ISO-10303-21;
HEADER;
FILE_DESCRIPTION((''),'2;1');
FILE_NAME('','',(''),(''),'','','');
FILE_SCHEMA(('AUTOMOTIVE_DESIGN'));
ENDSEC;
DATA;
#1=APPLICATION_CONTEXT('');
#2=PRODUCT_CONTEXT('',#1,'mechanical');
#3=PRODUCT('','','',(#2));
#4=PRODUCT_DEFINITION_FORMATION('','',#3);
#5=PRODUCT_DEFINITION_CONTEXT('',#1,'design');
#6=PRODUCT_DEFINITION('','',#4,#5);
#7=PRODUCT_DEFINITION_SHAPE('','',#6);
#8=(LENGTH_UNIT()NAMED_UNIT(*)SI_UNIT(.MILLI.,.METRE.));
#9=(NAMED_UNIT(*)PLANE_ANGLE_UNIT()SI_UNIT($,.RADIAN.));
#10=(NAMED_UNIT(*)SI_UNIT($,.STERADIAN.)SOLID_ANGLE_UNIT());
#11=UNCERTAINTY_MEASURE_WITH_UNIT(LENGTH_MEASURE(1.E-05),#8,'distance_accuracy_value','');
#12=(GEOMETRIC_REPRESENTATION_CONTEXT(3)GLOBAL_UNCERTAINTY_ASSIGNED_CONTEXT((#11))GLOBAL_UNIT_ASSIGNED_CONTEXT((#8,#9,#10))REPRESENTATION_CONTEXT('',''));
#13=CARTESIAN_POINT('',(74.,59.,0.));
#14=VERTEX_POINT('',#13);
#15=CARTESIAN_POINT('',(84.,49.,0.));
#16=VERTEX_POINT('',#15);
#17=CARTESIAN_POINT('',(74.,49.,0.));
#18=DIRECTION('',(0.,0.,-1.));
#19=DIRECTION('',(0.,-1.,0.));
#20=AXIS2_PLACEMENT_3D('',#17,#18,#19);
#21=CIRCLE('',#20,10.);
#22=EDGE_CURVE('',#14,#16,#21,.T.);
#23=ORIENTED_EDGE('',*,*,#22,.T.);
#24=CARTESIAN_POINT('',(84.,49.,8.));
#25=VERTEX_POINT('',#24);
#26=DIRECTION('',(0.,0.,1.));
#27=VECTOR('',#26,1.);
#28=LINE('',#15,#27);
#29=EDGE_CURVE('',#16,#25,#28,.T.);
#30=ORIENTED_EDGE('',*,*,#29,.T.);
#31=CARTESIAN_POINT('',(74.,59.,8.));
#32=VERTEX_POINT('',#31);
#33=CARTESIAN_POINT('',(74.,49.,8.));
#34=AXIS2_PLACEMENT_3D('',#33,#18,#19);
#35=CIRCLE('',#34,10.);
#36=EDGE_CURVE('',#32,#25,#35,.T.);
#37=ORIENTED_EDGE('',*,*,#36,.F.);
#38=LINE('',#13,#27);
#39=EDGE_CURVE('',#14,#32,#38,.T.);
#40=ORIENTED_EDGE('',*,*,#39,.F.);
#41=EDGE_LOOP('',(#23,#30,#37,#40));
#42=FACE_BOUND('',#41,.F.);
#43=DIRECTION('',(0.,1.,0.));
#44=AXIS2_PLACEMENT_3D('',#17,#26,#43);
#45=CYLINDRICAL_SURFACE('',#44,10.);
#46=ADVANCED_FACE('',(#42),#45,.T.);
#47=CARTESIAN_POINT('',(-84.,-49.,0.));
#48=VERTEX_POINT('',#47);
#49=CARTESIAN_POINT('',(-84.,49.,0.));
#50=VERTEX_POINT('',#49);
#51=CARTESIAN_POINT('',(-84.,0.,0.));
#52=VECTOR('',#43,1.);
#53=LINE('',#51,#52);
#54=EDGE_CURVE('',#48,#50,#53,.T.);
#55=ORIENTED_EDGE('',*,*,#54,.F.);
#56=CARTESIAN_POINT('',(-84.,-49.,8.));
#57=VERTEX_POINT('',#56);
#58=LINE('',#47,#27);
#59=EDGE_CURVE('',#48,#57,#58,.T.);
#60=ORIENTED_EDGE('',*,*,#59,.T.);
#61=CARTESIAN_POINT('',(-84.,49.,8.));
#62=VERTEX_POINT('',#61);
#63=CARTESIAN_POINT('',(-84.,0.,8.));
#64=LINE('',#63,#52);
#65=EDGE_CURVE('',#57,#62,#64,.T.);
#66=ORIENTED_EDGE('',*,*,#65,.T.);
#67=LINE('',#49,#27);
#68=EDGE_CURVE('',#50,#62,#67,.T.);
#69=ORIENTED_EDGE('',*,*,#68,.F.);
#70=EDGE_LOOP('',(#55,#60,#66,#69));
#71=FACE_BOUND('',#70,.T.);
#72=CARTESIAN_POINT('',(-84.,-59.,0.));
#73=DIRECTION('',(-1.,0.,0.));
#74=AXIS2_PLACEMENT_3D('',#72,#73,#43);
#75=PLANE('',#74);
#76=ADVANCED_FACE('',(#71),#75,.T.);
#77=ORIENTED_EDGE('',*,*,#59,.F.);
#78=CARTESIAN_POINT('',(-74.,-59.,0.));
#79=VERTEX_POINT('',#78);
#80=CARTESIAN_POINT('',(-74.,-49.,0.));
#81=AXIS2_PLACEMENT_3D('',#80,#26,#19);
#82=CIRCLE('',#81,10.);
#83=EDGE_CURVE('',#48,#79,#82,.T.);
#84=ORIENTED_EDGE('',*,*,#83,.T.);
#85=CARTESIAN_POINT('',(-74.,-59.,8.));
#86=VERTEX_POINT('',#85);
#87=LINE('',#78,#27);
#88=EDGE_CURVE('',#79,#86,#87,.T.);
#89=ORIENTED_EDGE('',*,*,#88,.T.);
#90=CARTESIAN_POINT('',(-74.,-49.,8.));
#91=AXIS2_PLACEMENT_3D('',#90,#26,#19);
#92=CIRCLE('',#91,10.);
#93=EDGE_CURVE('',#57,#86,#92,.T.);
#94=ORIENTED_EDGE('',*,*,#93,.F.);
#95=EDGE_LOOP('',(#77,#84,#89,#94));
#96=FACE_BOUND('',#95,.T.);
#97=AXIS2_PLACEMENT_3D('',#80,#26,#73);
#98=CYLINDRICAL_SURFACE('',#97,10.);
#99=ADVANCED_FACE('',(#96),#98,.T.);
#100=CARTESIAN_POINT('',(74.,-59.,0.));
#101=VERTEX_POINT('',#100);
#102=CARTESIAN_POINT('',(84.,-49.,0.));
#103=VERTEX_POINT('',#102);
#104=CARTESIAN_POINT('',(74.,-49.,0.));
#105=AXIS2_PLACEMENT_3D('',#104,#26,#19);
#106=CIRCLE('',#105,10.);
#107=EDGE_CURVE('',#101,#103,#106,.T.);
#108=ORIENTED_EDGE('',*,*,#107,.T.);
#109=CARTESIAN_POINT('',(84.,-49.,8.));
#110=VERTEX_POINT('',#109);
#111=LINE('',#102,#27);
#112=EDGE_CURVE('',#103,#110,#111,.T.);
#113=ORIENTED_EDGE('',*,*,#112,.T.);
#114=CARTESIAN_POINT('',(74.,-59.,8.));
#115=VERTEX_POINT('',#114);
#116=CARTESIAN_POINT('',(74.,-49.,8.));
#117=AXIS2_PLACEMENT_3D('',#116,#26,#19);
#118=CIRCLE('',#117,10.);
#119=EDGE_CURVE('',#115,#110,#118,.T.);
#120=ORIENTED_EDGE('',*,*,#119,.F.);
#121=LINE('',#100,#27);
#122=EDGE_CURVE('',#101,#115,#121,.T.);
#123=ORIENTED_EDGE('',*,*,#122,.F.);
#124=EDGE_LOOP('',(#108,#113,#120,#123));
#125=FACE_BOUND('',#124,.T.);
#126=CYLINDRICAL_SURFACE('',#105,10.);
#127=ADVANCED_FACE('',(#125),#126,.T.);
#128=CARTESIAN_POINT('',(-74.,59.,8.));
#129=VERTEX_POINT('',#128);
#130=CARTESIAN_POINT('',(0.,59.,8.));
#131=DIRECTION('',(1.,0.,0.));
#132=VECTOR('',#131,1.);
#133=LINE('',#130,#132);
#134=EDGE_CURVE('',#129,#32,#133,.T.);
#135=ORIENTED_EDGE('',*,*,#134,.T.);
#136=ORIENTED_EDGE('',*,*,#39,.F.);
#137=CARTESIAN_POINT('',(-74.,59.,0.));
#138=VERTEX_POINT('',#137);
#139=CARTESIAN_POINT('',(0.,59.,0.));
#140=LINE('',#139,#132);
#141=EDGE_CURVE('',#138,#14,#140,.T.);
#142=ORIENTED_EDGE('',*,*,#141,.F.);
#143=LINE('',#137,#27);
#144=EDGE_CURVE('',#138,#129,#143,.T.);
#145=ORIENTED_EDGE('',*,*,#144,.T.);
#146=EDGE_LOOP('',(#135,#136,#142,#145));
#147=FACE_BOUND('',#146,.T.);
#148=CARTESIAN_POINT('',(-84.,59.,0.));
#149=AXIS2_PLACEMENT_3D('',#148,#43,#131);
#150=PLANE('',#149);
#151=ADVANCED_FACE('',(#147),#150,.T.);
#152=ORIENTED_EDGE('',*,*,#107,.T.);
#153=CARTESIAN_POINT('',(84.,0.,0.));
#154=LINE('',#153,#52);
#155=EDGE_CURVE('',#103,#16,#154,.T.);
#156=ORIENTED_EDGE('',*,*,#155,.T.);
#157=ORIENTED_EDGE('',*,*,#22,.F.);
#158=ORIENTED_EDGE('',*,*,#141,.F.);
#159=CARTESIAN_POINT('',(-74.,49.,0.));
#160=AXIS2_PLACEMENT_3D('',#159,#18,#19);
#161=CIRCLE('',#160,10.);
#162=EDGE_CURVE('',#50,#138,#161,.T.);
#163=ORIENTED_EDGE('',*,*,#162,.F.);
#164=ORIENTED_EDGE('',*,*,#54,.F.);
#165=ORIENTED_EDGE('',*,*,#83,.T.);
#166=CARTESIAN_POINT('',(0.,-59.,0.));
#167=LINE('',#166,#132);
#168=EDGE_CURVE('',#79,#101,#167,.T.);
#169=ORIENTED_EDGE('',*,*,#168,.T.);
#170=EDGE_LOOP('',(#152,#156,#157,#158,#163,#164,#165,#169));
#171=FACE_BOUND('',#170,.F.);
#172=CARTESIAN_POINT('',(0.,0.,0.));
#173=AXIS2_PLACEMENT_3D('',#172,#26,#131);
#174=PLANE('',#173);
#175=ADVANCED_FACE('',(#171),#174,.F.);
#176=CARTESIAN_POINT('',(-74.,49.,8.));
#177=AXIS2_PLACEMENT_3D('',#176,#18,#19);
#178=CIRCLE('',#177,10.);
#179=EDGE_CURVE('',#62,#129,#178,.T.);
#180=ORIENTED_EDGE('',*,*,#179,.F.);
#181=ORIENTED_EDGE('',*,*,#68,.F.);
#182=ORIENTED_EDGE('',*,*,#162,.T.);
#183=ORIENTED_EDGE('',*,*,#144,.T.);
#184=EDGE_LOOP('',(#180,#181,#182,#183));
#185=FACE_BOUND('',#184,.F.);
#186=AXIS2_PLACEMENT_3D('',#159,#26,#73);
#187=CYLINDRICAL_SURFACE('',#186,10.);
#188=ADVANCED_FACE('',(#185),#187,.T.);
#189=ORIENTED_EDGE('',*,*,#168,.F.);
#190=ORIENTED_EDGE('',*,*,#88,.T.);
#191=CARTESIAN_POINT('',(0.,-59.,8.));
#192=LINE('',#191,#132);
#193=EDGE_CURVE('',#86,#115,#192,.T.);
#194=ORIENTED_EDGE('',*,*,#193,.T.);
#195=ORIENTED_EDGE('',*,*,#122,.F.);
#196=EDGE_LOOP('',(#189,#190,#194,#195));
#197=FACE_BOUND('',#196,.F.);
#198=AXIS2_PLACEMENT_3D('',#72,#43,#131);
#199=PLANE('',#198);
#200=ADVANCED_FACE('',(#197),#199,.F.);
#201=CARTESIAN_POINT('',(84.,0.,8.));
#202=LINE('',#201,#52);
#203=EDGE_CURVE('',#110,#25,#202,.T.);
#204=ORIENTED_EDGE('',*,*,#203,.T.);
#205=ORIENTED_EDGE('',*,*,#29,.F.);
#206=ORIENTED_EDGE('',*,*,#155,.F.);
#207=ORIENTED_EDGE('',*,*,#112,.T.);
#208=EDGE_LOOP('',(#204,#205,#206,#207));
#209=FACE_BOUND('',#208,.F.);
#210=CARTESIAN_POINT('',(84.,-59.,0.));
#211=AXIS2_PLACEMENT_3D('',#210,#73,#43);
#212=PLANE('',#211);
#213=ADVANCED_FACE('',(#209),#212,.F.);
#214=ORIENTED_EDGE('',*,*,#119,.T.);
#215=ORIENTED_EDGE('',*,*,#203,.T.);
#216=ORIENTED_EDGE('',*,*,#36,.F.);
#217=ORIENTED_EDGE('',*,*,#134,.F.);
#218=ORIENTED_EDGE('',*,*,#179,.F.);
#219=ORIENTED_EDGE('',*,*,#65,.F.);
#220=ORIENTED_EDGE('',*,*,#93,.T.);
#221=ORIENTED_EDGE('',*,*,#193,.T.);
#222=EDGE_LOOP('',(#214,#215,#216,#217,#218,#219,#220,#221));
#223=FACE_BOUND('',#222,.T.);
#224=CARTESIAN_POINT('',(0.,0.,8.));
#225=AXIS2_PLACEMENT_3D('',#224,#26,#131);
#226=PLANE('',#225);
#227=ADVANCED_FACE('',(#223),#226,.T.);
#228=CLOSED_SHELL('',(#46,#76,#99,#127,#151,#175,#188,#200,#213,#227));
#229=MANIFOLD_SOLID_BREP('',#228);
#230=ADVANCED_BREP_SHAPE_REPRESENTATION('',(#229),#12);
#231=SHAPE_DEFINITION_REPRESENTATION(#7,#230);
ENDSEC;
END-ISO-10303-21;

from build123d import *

# Parameters (mm, degrees)
SKETCH_W    = 168
SKETCH_H    = 118
PAD_DEPTH   = 8
FILLET_R    = 10
FILLET001_R = 10


with BuildPart() as part:
    # Sketch → Pad (new body)
    with BuildSketch(Plane.XY):
        Rectangle(SKETCH_W, SKETCH_H)
    extrude(amount=PAD_DEPTH)

    # Fillet
    fillet_edges = [part.edges().sort_by_distance(p)[0] for p in [
        (-84, -59, 4),
    ]]
    fillet(fillet_edges, radius=FILLET_R)

    # Fillet001
    fillet001_edges = [part.edges().sort_by_distance(p)[0] for p in [
        (-84, 59, 4),
        (84, 59, 4),
        (84, -59, 4),
    ]]
    fillet(fillet001_edges, radius=FILLET001_R)


solid = part.part
